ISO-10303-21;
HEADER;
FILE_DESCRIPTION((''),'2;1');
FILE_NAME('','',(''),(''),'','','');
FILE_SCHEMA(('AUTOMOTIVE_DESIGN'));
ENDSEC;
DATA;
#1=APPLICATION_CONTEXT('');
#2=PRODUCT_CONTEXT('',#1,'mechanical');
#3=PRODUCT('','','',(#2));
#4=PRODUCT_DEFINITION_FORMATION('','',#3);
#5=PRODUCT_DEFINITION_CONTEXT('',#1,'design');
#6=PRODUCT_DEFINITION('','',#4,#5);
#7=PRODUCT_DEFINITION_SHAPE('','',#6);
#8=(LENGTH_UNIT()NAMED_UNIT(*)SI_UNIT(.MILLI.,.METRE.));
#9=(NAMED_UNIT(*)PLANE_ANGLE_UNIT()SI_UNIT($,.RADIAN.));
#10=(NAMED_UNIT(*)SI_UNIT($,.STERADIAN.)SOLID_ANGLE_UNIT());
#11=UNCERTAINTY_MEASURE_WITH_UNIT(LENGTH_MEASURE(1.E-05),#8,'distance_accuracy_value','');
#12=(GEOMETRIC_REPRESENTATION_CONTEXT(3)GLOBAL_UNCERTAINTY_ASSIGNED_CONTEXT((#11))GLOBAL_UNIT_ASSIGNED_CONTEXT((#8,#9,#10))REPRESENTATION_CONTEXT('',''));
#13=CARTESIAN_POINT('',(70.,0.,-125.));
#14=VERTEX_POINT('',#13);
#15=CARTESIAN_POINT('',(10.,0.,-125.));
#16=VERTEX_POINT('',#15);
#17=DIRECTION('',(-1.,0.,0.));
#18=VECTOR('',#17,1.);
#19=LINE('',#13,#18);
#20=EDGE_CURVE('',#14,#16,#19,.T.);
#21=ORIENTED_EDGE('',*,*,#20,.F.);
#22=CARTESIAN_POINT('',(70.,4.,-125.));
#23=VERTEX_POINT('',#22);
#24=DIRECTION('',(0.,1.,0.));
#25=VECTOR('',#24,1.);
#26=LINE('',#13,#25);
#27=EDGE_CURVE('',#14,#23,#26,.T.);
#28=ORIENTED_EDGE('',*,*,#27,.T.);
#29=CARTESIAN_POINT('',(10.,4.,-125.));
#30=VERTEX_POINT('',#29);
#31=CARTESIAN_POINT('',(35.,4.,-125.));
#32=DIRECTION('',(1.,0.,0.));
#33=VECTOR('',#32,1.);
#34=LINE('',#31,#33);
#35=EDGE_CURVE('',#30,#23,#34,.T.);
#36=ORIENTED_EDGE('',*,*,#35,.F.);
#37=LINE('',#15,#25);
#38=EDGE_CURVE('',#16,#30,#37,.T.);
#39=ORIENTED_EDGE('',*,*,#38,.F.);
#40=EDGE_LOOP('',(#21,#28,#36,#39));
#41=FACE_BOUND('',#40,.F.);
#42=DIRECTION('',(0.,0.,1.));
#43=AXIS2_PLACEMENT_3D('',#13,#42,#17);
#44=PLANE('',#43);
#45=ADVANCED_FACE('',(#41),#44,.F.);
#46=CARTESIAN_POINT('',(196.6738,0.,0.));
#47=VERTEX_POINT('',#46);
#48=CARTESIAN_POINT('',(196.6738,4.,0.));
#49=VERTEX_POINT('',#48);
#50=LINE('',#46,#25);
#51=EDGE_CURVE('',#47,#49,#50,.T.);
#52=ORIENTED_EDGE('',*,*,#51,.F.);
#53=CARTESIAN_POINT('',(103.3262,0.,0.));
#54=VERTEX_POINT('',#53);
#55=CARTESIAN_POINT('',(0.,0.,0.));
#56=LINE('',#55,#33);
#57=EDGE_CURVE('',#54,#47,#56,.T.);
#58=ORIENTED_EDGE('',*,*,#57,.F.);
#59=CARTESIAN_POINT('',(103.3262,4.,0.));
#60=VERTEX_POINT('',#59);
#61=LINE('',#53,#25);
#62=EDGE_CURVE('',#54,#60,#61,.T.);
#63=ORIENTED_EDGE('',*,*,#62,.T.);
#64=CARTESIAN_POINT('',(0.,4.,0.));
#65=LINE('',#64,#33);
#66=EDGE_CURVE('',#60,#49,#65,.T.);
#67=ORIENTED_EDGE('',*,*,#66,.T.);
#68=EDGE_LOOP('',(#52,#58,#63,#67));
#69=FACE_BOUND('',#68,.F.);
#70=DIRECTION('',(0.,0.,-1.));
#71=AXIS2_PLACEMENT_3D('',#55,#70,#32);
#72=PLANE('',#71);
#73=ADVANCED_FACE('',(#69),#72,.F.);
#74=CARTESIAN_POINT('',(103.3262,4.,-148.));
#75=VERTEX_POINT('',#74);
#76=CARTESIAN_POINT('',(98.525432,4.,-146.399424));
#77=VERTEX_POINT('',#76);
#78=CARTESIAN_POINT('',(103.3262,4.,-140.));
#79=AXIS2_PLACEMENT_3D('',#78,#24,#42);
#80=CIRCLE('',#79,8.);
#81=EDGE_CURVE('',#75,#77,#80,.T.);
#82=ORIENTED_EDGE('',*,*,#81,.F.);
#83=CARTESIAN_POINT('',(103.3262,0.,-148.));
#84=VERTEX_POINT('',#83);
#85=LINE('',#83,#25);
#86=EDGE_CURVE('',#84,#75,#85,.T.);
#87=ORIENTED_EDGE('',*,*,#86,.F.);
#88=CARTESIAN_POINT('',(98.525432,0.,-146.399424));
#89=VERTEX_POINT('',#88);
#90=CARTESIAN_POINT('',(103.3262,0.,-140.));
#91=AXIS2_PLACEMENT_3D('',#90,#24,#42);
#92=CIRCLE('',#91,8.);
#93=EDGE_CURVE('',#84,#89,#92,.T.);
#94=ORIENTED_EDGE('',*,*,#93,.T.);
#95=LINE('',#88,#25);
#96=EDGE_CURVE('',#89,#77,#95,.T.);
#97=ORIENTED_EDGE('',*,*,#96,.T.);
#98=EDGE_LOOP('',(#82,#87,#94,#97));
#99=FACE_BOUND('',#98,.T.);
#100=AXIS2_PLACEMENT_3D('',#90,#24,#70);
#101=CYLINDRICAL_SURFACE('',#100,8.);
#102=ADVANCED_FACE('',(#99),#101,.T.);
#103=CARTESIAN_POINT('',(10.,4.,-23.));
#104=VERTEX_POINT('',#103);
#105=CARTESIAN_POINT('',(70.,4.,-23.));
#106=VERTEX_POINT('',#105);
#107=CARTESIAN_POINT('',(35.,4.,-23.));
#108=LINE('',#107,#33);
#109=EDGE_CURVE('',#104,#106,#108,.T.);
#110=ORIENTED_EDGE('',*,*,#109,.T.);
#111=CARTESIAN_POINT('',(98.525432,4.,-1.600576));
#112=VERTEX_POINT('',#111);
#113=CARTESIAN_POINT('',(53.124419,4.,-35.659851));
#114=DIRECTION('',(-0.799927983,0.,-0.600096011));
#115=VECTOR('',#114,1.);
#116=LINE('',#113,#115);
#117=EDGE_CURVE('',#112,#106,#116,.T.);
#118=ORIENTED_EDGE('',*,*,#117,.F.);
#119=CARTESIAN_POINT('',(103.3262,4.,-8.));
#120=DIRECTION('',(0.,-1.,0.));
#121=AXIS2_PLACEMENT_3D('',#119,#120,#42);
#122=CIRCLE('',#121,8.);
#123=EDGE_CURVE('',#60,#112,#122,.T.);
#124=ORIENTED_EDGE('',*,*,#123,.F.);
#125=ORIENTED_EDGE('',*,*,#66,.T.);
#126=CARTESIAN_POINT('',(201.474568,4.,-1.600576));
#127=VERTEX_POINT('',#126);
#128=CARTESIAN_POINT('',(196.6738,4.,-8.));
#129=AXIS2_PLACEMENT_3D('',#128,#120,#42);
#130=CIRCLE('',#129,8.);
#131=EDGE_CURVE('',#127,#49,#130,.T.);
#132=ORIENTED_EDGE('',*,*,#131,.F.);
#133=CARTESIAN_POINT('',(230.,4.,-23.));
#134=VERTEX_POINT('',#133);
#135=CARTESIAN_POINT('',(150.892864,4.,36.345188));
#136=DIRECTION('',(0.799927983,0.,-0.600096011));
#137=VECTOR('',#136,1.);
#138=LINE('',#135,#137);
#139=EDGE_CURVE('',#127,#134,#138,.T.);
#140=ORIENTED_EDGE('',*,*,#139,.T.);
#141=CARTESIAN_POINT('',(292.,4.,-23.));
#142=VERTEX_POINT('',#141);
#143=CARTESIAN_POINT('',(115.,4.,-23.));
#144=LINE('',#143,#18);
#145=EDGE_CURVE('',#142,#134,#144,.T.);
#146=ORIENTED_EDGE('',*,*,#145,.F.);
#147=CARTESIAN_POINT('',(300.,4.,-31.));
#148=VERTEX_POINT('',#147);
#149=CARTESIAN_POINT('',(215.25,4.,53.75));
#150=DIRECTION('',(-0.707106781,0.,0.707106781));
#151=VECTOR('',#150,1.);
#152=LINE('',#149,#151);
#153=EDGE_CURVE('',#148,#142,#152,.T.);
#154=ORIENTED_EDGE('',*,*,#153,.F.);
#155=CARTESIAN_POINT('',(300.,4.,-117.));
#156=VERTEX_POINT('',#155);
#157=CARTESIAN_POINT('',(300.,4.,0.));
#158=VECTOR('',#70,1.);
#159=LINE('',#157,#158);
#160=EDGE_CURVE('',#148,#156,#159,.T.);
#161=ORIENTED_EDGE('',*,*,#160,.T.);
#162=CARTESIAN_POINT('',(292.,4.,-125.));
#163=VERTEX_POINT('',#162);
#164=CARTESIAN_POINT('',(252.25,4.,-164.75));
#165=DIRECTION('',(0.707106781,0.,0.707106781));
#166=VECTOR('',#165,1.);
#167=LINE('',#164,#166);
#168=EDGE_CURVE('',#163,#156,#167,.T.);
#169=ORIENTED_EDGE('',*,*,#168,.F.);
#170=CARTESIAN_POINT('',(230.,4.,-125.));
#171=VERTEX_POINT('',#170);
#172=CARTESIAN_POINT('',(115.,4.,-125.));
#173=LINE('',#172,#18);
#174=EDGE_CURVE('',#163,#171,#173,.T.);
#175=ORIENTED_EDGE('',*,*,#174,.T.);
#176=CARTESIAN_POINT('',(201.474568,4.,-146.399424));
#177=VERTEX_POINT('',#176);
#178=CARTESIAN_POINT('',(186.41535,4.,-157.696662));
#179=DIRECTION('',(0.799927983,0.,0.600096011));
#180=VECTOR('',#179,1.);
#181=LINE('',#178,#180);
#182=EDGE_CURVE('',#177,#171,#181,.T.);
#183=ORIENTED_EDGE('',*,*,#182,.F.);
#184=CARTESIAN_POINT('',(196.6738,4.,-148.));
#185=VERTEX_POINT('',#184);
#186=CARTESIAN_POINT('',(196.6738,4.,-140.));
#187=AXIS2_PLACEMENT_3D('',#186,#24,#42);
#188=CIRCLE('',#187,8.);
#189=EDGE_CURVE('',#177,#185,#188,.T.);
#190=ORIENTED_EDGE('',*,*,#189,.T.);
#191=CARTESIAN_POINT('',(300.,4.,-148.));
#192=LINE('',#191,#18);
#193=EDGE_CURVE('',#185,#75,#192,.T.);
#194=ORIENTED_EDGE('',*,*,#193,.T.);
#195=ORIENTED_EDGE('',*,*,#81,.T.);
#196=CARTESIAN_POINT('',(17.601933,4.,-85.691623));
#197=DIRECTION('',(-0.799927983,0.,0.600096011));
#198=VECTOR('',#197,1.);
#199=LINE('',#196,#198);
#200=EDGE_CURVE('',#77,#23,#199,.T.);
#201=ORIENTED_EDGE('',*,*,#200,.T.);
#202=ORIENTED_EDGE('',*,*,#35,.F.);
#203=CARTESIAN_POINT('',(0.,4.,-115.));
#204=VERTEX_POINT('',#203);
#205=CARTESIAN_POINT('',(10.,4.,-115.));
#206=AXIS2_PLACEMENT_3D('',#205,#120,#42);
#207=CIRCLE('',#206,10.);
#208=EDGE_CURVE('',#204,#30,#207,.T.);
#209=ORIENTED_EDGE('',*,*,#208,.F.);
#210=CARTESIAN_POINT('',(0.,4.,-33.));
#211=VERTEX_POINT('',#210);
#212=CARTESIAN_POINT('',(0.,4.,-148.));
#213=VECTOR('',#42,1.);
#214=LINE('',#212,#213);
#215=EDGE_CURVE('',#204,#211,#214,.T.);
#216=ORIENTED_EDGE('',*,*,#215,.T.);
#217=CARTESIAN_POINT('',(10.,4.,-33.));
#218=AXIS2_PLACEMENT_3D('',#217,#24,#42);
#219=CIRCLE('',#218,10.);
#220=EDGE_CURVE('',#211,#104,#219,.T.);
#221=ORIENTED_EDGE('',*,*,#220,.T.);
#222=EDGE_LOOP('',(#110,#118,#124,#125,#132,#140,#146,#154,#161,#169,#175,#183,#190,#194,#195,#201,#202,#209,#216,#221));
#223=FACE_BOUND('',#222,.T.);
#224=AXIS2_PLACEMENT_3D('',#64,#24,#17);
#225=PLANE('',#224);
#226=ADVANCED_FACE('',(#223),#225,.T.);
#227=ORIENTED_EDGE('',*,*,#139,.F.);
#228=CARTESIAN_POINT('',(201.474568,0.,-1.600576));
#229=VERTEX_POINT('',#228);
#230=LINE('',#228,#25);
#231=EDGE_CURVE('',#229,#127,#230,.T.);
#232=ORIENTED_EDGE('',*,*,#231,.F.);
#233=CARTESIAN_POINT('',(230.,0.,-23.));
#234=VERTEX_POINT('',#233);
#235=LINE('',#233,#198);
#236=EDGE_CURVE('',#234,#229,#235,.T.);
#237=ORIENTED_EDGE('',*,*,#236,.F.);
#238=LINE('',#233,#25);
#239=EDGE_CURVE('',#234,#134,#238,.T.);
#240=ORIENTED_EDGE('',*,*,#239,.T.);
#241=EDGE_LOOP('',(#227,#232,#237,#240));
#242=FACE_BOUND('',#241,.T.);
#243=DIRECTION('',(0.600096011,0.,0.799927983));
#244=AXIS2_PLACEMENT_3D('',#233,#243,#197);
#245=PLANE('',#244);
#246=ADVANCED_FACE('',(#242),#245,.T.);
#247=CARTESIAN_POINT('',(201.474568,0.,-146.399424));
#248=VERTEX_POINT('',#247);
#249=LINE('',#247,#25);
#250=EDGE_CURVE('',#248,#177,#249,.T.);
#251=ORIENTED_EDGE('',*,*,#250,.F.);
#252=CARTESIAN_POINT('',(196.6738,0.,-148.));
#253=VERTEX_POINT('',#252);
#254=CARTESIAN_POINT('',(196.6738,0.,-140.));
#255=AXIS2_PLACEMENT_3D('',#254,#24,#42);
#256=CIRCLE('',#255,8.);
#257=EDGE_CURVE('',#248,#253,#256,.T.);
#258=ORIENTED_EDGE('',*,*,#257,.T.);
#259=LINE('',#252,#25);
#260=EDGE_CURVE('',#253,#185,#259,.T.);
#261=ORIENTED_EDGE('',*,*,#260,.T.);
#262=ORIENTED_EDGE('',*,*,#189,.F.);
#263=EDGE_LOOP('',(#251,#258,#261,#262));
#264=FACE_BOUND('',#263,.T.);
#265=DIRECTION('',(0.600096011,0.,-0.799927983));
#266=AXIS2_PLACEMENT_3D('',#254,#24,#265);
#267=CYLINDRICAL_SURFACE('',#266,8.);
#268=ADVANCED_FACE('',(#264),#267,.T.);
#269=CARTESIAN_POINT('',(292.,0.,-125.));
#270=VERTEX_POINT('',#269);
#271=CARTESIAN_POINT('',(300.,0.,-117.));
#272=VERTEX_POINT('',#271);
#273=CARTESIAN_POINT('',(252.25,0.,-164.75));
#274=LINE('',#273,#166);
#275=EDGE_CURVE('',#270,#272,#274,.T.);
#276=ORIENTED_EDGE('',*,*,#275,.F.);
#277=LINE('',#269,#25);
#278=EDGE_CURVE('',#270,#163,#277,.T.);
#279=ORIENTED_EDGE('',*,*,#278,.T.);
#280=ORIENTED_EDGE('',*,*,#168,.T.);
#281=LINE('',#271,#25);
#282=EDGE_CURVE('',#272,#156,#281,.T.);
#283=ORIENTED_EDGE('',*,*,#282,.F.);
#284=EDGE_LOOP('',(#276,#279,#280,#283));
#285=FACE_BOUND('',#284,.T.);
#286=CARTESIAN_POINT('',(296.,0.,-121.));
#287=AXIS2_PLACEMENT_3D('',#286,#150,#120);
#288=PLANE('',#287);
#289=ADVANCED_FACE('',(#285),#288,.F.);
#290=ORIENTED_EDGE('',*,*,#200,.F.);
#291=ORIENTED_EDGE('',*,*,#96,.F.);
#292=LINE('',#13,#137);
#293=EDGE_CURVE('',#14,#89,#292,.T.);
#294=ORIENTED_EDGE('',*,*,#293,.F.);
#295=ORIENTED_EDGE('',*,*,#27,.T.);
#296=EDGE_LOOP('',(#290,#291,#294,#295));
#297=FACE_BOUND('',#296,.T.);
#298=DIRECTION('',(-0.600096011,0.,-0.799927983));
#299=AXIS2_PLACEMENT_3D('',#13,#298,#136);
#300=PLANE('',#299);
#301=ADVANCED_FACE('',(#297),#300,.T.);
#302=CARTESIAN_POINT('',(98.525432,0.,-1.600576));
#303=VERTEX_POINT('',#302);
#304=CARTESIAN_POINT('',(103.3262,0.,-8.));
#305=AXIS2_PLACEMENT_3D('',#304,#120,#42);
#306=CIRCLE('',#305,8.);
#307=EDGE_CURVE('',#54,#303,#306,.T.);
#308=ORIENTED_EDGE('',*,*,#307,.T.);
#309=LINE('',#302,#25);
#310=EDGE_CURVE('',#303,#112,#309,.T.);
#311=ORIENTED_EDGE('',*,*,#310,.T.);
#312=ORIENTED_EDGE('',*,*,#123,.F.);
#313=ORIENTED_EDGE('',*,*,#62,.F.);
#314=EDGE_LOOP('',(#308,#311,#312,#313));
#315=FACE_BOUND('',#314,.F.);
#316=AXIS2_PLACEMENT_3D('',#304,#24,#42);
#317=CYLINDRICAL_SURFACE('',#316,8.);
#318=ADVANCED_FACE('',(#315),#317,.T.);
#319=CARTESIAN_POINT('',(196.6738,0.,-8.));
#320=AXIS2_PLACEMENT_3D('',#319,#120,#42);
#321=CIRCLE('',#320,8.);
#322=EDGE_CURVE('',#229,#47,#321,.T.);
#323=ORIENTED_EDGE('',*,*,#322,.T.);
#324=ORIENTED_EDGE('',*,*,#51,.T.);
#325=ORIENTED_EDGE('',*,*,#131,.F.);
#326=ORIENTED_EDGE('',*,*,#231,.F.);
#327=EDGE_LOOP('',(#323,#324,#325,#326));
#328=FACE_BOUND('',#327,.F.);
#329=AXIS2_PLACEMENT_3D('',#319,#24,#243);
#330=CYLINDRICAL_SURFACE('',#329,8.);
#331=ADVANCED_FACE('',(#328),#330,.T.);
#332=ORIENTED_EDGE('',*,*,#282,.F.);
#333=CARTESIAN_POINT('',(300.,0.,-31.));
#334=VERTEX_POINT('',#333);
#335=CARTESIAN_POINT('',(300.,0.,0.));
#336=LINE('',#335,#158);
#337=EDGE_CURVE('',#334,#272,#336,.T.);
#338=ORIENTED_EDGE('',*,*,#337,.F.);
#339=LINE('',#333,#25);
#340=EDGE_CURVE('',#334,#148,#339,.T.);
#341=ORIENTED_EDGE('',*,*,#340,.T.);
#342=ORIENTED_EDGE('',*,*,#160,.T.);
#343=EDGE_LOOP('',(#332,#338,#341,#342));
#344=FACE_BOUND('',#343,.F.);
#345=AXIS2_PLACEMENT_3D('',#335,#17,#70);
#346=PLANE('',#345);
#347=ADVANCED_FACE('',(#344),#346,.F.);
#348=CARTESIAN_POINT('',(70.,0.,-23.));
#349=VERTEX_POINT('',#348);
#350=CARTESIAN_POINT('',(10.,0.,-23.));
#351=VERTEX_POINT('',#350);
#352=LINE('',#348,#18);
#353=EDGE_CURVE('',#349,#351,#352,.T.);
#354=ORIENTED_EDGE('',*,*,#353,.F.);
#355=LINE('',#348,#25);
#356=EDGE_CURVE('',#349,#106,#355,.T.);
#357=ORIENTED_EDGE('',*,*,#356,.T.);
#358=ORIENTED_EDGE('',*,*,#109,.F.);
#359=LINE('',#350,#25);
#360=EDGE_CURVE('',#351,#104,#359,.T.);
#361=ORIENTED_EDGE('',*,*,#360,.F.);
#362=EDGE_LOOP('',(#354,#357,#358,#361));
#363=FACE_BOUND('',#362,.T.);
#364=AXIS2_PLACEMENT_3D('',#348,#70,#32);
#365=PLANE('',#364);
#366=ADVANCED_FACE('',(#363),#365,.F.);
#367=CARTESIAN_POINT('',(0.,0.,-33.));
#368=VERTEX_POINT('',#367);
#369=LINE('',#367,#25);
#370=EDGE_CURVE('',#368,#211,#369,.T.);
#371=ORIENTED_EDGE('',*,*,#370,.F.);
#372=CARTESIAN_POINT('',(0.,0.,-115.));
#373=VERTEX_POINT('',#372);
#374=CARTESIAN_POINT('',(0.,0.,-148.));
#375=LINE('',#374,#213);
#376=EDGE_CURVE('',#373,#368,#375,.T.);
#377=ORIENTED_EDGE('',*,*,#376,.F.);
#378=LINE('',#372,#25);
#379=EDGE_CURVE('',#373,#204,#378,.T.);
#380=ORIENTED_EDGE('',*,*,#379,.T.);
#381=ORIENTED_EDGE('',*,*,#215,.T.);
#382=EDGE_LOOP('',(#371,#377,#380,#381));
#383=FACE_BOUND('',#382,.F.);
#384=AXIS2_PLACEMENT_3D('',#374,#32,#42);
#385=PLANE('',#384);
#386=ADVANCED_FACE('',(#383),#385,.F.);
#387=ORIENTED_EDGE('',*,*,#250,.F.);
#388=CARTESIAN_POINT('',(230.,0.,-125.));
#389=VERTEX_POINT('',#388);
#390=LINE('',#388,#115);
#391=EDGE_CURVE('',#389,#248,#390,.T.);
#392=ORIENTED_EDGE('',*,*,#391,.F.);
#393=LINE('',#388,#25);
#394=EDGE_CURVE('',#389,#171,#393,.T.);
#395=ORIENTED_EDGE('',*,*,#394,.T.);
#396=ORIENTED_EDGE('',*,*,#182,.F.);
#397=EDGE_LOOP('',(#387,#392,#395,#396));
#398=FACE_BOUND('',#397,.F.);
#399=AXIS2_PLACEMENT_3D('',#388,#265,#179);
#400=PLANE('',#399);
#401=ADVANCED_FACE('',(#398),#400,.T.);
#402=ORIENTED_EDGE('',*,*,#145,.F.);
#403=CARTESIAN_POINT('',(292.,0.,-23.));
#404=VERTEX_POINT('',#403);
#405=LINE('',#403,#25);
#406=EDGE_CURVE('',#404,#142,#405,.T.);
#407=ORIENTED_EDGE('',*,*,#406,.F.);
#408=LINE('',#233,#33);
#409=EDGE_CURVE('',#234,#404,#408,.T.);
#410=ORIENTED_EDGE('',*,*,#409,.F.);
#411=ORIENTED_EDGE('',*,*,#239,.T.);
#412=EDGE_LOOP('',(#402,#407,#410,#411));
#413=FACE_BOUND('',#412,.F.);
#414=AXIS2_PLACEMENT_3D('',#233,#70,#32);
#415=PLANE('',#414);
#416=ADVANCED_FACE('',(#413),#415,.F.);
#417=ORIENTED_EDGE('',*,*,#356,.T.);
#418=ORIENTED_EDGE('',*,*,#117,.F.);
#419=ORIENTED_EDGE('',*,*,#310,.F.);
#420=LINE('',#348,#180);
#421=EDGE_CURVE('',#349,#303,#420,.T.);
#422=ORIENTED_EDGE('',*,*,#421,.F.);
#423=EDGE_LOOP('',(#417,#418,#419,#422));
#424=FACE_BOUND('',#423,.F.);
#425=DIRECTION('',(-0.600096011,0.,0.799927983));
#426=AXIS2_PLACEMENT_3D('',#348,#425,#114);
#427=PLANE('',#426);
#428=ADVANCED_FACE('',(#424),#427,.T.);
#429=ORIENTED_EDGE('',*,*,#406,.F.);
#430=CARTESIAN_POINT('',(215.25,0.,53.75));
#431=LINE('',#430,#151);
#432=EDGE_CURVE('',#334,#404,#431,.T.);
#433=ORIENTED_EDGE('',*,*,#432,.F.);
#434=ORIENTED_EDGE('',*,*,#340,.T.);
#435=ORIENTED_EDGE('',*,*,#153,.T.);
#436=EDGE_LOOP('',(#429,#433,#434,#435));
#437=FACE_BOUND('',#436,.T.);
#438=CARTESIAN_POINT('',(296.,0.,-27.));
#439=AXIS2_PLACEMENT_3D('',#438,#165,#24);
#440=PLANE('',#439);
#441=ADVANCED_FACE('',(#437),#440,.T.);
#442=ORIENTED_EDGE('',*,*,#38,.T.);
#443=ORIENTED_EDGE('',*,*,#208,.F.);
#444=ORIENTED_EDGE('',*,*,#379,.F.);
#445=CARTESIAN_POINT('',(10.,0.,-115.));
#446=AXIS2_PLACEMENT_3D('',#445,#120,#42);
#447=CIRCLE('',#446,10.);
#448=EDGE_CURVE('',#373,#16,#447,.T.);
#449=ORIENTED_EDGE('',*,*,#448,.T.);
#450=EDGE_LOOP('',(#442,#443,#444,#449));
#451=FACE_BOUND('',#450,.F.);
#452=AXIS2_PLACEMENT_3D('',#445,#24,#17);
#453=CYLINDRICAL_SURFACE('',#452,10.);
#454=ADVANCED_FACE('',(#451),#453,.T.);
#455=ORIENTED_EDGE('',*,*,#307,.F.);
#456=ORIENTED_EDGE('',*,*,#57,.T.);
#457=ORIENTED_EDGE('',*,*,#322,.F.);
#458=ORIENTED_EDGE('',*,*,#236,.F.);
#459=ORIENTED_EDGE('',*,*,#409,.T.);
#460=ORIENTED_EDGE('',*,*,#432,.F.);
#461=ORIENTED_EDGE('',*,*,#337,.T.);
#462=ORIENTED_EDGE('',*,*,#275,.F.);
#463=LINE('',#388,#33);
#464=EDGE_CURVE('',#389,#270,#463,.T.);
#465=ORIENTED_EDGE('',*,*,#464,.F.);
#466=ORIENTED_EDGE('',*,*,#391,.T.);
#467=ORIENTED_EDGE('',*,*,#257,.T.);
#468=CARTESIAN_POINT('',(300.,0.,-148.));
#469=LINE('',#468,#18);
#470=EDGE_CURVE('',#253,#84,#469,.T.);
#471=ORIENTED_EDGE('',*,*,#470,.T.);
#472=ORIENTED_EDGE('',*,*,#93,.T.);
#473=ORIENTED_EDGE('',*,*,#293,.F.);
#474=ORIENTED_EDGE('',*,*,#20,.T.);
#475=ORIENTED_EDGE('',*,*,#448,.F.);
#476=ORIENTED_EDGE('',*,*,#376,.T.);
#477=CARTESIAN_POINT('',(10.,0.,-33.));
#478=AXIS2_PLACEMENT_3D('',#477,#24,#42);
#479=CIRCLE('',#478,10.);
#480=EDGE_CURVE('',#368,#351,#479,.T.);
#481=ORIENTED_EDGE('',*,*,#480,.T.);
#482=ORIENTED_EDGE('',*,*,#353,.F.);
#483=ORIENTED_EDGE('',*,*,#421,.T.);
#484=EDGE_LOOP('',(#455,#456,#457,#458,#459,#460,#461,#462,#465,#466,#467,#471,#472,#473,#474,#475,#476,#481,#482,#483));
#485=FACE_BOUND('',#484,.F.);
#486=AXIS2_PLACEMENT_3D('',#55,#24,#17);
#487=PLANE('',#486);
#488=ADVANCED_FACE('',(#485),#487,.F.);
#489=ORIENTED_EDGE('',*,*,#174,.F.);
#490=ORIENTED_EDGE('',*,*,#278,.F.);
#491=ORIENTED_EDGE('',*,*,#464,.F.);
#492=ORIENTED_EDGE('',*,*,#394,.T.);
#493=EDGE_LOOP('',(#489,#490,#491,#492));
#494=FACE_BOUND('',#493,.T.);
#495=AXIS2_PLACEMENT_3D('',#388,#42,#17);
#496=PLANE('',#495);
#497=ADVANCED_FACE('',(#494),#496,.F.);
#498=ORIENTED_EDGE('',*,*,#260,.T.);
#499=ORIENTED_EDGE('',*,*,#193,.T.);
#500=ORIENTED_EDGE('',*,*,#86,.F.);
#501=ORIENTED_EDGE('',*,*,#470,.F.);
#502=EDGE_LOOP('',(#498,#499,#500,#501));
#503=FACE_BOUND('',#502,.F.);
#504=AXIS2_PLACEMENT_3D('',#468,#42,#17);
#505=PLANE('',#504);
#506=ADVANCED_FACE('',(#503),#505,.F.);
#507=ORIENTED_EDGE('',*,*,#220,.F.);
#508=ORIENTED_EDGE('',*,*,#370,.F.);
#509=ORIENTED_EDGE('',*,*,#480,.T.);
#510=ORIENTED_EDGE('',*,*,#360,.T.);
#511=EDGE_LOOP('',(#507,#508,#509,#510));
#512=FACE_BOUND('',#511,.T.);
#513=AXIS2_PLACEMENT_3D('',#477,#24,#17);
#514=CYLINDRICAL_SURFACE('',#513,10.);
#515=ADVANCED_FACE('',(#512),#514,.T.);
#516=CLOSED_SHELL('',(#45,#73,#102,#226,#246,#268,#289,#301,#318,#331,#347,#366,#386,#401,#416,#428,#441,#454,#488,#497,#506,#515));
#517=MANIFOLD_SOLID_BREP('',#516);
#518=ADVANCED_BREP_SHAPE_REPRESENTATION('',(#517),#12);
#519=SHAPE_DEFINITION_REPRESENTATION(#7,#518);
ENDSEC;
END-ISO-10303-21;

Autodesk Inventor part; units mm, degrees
sketch "Sketch1" plane through (0, 0, 0) normal (0, 1, 0) x (-1, 0, 0)
  line L0 (0, 0) -> (-300, 0)
  line L1 (-300, 0) -> (-300, -148)
  line L2 (-300, -148) -> (0, -148)
  line L3 (0, -148) -> (0, 0)
  dimension "d0" = 300
  dimension "d1" = 148
extrude "Extrusion1" add sketch "Sketch1" along normal blind 4
sketch "Sketch2" plane through (0, 0, 0) normal (0, -1, 0) x (1, 0, 0)
  line L0 (0, -74) -> (300, -74) construction
  line L1 (150, 0) -> (150, -148) construction
sketch "Sketch3" plane through (0, 0, 0) normal (0, -1, 0) x (1, 0, 0)
  line L0 (0, -148) -> (70, -148)
  line L1 (70, -148) -> (70, -125)
  line L2 (70, -125) -> (0, -125)
  line L3 (0, -125) -> (0, -148)
  point P0 (0, 0)
  dimension "d4" = 70
  dimension "d5" = 23
extrude "Extrusion2" cut sketch "Sketch3" against normal blind 10
fillet "Fillet1" radius 10 1 edges at (0, 2, -125)
sketch "Sketch4" plane through (0, 0, 0) normal (0, -1, 0) x (1, 0, 0)
  line L0 (70, -125) -> (100.659, -148)
  line L1 (300, -148) -> (70, -148) projected
  line L2 (70, -148) -> (70, -125)
  line L3 (70, -125) -> (70, -148) projected
  point P0 (0, 0)
extrude "Extrusion3" cut sketch "Sketch4" against normal blind 10
ref_plane "Work Plane1" through (150, 0, 0) normal (1, 0, 0) x (0, 0, -1)
ref_plane "Work Plane2" through (100.659, 0, -74) normal (0, 0, -1) x (-1, 0, 0)
mirror "Mirror2" about plane through (100.659, 0, -74) normal (0, 0, -1) of "Extrusion2", "Extrusion3"
fillet "Fillet2" radius 10 1 edges at (0, 2, -23)
sketch "Sketch6" plane through (0, 0, 0) normal (0, -1, 0) x (1, 0, 0)
  point P0 (0, 0)
ref_plane "Work Plane3" through (150, 0, 0) normal (1, 0, 0) x (0, 0, -1)
mirror "Mirror3" about plane through (150, 0, 0) normal (1, 0, 0) of "Extrusion2", "Extrusion3", "Mirror2"
chamfer "Chamfer1" distance 8 angle 45 2 edges at (300, 2, -23) (300, 2, -125)
fillet "Fillet3" radius 8 4 edges at (199.341, 2, 0) (100.659, 2, 0) (199.341, 2, -148) (100.659, 2, -148)
sketch "Sketch7" plane through (0, 4, 0) normal (0, 1, 0) x (1, 0, 0)
  point P0 (0, 0)
properties part number "Basetrimed" material "ABS Plastic"
